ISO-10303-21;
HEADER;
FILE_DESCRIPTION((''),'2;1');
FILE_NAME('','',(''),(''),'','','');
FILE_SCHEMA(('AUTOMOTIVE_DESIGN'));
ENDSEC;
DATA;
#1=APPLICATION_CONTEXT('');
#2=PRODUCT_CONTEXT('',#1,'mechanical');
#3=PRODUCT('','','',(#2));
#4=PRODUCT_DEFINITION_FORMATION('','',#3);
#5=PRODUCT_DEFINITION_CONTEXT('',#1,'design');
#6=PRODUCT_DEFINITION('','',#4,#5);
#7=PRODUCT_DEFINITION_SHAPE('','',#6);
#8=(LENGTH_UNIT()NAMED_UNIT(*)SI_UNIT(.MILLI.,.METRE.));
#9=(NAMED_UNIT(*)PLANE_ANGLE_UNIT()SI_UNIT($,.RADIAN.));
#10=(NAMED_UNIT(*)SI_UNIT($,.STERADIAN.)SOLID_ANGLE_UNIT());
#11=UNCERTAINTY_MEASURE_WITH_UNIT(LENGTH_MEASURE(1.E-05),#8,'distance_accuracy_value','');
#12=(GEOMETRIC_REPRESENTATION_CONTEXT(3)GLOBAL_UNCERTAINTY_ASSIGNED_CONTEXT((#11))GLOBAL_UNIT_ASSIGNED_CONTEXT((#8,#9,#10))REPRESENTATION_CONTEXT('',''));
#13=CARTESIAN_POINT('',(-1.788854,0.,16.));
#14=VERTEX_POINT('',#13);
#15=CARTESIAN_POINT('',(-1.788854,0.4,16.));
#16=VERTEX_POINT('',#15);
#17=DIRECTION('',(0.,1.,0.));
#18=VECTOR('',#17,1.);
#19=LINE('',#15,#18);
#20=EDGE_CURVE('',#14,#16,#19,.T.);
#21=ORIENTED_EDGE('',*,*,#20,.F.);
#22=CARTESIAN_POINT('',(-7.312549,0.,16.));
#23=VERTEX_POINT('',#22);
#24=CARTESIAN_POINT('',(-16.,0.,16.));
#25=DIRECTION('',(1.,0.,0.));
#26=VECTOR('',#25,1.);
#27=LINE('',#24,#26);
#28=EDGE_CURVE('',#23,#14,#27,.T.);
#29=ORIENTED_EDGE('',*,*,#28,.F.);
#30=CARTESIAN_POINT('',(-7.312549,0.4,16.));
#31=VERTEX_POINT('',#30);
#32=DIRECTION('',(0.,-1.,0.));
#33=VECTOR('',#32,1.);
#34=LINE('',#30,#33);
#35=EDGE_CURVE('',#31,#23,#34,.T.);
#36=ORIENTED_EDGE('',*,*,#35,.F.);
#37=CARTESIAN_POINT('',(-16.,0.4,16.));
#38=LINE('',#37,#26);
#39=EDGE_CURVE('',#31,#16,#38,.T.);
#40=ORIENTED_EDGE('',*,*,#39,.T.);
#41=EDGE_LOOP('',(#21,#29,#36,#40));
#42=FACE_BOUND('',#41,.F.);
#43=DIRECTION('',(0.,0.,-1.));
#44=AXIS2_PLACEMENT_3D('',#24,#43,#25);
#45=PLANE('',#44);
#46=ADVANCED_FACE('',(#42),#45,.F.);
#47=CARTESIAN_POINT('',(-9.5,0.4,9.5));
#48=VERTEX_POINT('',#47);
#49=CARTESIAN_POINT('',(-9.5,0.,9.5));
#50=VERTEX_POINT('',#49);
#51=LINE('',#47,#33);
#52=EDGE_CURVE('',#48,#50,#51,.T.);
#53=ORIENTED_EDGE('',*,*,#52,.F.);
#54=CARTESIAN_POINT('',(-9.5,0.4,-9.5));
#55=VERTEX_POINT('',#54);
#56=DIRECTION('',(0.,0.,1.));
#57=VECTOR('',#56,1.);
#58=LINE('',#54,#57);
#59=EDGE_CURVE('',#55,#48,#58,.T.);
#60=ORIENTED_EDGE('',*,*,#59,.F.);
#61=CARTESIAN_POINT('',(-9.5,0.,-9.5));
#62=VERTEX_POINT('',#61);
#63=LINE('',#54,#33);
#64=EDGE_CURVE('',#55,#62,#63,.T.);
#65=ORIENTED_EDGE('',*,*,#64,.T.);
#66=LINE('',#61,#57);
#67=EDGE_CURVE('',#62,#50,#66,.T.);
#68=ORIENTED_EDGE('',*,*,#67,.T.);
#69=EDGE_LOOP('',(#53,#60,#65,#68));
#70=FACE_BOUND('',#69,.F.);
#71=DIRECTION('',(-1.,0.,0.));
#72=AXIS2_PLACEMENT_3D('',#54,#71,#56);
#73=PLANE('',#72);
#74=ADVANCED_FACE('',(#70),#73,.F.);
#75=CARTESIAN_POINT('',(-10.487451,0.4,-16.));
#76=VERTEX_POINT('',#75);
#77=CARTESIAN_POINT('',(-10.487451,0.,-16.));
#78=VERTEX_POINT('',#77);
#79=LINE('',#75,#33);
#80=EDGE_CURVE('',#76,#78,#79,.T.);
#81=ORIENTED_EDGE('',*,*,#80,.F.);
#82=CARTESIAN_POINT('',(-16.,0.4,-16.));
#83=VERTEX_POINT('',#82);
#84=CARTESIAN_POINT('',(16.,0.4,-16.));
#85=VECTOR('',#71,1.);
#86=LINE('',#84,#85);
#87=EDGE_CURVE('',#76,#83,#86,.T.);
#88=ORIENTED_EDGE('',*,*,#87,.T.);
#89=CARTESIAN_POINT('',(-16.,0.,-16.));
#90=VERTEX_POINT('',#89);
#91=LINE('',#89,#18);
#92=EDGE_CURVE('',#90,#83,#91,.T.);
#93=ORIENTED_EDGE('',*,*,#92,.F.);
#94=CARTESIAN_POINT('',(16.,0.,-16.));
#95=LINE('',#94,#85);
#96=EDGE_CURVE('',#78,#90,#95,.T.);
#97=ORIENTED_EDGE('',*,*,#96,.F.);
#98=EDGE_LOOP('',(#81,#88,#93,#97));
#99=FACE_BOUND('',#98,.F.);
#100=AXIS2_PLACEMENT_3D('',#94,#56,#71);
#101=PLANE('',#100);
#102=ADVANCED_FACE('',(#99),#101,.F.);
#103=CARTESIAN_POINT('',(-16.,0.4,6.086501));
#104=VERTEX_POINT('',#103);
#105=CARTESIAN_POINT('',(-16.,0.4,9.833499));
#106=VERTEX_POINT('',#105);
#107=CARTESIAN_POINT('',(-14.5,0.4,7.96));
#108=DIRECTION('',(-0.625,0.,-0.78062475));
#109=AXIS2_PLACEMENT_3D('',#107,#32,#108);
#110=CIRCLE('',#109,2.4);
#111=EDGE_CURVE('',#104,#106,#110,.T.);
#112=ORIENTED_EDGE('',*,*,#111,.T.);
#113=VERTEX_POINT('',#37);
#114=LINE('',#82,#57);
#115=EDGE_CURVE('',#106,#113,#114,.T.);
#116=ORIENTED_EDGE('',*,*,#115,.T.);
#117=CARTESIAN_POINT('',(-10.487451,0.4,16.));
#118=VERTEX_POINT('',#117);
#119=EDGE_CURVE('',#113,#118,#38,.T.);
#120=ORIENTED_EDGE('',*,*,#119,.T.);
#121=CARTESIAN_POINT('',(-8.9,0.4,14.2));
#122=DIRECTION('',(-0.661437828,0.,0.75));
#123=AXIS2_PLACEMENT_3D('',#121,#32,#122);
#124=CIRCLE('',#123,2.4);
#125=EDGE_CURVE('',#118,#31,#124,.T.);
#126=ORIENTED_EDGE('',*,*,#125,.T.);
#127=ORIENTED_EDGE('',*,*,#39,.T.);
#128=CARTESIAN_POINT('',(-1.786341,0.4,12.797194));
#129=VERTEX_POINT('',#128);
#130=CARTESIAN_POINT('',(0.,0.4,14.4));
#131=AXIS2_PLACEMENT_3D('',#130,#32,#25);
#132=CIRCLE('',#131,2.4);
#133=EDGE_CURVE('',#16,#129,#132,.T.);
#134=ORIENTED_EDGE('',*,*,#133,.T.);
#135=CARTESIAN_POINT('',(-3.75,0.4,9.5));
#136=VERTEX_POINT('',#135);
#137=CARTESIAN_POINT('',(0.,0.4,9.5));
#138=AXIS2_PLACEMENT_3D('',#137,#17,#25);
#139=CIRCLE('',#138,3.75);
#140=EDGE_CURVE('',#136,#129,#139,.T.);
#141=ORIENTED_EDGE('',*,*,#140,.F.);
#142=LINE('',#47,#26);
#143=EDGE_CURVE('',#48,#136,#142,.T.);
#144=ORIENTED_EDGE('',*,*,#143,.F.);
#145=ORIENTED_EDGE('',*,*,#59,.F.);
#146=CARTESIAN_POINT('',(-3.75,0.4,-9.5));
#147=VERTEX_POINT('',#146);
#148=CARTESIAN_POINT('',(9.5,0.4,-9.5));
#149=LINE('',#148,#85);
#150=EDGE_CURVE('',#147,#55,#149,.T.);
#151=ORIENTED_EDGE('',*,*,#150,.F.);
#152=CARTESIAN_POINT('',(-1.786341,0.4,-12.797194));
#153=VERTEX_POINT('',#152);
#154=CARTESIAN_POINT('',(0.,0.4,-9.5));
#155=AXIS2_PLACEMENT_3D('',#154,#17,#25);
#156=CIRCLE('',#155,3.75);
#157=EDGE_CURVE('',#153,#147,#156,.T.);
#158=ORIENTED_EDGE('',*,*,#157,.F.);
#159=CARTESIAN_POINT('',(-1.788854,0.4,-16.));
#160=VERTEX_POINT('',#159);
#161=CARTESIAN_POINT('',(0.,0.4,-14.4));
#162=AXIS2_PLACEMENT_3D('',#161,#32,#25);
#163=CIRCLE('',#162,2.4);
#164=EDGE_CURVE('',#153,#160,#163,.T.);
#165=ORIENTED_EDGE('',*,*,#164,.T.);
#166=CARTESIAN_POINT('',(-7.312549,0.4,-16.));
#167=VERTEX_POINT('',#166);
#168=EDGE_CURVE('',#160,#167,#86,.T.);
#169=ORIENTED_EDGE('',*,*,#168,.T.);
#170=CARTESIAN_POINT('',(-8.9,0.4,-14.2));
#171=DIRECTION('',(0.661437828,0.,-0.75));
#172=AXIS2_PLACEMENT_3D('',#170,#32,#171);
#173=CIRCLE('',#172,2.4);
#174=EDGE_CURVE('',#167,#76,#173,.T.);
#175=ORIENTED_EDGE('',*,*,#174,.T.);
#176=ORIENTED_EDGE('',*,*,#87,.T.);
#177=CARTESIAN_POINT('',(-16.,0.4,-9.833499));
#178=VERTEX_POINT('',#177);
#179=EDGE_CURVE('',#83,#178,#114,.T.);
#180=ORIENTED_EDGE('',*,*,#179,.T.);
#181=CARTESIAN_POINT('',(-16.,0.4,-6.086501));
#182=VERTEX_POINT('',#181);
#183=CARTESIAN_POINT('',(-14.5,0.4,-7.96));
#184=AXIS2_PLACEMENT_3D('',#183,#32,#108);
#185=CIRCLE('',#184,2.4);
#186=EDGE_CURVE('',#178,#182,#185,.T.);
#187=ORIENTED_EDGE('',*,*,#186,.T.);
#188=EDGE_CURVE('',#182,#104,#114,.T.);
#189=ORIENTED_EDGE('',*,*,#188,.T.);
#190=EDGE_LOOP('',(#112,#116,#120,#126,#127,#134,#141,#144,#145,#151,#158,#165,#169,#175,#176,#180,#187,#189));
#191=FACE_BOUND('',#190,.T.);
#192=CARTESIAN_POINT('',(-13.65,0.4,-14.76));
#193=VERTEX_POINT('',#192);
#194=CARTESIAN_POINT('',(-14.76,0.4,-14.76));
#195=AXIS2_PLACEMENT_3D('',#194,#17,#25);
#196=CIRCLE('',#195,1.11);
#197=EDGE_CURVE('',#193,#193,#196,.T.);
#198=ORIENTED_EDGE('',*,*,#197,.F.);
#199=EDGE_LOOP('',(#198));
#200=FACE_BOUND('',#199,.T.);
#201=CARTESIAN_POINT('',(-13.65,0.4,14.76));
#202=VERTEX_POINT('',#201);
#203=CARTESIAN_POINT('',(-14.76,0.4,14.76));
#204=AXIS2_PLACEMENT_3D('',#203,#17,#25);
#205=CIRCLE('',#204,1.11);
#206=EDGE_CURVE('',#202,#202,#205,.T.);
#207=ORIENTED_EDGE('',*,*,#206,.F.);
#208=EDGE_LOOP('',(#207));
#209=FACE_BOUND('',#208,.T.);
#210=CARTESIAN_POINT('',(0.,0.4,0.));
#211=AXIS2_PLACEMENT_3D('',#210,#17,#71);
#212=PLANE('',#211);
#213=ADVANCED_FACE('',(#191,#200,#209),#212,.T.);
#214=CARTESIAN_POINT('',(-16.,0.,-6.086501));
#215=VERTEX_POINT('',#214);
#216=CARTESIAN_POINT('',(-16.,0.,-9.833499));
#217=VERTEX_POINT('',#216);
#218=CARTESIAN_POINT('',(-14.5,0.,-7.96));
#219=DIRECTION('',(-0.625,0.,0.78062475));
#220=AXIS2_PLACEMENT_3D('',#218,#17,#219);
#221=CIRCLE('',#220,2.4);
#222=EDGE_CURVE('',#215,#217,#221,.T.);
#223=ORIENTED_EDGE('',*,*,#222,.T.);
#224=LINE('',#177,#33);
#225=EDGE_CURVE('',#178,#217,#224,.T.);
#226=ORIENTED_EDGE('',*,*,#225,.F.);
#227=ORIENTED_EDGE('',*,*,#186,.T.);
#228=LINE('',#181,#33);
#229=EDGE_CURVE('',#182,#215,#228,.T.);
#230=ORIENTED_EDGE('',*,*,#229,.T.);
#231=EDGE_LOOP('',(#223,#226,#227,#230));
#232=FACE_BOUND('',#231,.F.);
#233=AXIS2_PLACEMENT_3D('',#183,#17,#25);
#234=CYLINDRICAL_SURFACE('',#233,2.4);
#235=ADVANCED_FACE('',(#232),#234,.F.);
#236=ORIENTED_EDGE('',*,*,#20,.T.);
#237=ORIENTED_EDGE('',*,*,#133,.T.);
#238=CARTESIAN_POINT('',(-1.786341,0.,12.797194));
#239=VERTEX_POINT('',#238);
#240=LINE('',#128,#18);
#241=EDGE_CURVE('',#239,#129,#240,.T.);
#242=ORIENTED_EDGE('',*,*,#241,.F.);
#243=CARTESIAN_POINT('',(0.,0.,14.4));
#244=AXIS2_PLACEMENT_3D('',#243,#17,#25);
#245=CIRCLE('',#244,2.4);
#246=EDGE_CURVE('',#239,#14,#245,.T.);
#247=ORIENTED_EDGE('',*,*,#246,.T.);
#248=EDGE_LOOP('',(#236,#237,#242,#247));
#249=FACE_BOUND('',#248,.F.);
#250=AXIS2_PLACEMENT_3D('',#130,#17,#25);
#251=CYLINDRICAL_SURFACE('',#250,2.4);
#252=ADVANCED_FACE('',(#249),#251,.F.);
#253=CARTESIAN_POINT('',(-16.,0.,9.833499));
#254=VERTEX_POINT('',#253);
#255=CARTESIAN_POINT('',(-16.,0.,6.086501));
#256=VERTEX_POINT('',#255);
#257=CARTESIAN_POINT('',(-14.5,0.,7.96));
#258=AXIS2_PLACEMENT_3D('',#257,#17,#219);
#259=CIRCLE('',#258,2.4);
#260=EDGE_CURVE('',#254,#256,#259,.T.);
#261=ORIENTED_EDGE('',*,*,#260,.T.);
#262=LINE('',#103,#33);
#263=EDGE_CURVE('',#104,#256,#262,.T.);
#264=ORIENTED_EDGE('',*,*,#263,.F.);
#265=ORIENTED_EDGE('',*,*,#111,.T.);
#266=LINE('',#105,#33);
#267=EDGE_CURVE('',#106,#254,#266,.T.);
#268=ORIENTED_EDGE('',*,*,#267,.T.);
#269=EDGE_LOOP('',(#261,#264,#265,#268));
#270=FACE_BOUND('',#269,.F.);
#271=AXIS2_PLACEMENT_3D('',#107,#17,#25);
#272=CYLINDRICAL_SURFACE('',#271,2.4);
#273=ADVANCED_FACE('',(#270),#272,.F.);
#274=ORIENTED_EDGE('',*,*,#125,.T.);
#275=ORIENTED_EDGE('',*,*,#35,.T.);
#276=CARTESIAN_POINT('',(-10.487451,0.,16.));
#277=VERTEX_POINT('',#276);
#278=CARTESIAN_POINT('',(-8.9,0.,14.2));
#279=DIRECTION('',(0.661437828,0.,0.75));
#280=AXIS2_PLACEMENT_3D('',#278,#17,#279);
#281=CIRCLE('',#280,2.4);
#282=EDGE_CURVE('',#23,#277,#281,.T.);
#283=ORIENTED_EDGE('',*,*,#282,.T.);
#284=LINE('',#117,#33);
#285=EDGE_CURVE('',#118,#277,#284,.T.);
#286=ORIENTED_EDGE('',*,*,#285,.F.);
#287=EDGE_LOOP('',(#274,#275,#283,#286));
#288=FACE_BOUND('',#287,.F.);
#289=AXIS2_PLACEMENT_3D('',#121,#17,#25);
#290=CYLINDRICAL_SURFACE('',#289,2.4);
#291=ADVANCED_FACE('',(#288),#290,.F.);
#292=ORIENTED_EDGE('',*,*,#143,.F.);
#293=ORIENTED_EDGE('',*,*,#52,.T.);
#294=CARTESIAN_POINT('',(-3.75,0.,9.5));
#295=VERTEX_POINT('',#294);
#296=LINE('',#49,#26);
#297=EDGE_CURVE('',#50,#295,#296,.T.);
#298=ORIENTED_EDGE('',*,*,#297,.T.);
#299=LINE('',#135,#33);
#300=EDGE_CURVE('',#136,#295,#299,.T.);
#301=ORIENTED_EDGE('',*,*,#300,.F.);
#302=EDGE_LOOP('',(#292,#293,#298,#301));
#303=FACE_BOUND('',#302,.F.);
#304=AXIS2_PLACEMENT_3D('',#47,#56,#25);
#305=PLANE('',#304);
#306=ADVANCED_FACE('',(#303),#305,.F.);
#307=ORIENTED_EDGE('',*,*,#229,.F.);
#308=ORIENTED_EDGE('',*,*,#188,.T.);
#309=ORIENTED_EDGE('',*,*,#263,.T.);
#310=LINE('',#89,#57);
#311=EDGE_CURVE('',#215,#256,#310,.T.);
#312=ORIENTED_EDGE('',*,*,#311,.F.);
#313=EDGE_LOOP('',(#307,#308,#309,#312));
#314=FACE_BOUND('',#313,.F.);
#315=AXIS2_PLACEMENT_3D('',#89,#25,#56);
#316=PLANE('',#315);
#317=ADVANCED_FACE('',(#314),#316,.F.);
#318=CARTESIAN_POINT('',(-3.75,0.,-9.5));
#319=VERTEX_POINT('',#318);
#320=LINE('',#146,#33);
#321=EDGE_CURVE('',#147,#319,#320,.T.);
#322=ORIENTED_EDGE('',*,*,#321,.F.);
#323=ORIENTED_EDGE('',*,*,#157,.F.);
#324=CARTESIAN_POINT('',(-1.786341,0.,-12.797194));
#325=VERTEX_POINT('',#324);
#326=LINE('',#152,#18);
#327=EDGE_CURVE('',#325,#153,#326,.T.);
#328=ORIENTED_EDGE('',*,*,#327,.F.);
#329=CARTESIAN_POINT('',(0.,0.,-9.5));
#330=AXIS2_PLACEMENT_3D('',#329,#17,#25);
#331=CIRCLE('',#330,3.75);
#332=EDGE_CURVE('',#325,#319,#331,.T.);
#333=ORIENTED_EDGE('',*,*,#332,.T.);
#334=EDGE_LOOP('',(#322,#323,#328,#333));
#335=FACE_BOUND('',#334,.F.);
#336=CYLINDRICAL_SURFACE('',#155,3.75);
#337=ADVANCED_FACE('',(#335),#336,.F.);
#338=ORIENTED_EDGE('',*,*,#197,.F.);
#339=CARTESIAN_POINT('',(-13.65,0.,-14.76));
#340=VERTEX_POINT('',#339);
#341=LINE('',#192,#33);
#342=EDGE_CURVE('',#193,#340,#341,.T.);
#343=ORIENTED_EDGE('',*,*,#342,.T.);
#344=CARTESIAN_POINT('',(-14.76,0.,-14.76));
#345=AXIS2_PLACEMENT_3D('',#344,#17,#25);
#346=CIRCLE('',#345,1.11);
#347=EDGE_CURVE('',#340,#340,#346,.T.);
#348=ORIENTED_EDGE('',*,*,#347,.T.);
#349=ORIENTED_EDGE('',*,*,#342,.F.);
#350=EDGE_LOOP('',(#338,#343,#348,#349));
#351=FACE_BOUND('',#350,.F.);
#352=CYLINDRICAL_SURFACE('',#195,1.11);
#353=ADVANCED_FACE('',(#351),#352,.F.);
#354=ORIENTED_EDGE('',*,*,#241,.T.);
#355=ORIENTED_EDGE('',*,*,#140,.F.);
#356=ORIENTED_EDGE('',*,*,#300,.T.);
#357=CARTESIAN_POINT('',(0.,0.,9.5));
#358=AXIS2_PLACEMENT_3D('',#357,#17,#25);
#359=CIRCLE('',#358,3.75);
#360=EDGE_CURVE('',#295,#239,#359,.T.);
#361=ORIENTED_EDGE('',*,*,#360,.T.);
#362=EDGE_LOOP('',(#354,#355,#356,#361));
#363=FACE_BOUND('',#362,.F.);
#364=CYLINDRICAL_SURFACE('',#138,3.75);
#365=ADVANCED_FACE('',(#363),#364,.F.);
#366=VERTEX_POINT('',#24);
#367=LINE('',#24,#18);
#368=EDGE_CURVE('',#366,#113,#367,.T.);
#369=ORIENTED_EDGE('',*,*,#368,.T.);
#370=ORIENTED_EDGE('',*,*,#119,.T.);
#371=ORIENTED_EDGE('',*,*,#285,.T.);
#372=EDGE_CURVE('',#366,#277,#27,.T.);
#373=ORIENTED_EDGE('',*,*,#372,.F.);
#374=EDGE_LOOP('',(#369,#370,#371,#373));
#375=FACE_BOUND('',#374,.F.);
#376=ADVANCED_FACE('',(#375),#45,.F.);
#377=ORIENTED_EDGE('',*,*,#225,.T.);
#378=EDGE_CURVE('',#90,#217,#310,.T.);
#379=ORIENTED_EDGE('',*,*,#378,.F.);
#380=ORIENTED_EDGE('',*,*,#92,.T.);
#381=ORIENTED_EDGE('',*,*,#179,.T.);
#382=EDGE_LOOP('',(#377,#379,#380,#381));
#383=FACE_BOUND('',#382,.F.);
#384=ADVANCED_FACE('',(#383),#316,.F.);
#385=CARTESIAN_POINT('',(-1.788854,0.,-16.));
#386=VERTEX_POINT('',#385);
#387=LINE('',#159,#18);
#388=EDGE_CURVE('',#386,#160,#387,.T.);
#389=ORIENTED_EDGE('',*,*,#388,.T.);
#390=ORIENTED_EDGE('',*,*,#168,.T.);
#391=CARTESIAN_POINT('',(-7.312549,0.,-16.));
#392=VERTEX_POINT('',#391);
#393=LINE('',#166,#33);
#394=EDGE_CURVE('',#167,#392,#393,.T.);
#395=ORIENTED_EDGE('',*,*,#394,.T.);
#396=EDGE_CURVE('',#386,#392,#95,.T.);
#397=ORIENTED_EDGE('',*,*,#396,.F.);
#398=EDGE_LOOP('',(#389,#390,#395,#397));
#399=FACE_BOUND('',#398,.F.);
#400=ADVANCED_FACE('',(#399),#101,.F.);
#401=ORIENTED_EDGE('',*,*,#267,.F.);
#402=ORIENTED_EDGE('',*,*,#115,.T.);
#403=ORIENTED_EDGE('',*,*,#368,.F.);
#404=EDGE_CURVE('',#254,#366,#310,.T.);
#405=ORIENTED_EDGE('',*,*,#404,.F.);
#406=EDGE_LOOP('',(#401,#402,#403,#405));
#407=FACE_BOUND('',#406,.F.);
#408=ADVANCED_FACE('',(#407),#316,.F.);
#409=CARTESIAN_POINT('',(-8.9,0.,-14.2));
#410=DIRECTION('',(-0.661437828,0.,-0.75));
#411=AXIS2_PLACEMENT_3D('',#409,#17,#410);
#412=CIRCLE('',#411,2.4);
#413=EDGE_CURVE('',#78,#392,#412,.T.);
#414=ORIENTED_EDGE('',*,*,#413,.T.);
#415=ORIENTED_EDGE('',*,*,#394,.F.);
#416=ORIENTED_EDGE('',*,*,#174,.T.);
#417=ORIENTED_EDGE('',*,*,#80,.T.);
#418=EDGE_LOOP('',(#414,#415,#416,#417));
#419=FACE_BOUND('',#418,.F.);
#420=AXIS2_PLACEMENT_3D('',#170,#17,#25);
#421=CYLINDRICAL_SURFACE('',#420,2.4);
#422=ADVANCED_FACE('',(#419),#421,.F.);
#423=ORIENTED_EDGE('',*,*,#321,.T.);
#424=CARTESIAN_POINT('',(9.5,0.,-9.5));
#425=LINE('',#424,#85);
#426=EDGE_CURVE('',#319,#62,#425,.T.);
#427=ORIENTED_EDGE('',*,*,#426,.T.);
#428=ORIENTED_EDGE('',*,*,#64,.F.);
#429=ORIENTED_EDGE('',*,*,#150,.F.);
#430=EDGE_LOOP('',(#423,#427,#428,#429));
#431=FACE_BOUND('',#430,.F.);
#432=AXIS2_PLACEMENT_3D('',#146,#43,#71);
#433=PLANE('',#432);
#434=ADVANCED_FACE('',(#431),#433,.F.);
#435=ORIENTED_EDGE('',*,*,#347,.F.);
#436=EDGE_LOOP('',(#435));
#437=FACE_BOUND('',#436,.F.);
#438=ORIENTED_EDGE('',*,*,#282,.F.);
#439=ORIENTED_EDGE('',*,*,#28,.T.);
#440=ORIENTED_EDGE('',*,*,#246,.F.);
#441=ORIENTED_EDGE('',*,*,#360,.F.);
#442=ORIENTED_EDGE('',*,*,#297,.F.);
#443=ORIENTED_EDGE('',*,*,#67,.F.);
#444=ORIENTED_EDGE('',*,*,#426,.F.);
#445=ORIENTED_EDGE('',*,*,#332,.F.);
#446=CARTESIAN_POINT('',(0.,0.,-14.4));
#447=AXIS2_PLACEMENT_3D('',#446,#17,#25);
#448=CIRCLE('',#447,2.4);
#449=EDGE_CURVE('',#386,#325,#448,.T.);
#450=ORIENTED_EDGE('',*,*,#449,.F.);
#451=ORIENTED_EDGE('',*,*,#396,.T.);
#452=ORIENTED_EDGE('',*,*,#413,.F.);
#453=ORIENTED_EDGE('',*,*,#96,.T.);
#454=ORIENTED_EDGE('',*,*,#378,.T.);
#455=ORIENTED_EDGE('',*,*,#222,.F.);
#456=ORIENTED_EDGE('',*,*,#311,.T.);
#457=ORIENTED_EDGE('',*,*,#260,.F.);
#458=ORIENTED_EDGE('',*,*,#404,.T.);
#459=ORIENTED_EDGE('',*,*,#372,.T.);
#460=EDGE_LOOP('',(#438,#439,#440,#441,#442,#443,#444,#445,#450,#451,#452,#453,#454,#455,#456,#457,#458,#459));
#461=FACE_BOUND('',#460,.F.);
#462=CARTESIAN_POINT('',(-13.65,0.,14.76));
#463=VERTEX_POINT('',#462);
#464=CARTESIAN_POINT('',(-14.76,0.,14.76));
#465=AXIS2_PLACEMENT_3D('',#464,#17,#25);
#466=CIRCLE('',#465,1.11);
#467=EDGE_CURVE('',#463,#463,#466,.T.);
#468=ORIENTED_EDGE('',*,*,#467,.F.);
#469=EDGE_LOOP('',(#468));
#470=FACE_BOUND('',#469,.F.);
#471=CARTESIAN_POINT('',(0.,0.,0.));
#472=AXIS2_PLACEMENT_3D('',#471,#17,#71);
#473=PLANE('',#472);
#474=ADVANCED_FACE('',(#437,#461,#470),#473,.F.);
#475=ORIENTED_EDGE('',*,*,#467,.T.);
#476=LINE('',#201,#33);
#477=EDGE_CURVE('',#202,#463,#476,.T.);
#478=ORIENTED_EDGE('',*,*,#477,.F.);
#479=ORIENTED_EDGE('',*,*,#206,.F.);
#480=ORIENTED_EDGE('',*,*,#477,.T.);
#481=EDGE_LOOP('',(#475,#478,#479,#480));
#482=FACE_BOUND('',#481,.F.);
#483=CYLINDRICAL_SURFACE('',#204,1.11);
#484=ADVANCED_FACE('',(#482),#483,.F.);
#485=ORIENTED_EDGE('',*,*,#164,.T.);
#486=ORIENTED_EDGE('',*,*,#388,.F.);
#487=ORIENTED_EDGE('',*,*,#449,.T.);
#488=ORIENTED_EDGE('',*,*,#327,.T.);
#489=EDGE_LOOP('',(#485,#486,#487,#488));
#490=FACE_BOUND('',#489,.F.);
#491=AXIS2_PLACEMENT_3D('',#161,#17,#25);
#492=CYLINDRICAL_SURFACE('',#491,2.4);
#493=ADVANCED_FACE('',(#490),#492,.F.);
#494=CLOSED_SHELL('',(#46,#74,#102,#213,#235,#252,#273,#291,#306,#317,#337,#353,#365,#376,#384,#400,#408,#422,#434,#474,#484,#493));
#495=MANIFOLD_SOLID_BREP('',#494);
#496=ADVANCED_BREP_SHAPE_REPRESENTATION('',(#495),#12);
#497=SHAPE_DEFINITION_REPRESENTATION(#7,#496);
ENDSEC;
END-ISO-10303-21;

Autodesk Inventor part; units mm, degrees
ref_plane "YZ Plane" through (0, 0, 0) normal (1, 0, 0) x (0, 1, 0)
ref_plane "XZ Plane" through (0, 0, 0) normal (0, 1, 0) x (-1, 0, 0)
ref_plane "XY Plane" through (0, 0, 0) normal (0, 0, 1) x (1, 0, 0)
sketch "Sketch1" plane through (0, 0, 0) normal (0, 1, 0) x (-1, 0, 0)
  line L0 (16, 16) -> (-16, 16)
  line L1 (-16, 16) -> (-16, -16)
  line L2 (-16, -16) -> (16, -16)
  line L3 (16, -16) -> (16, 16)
  line L4 (16, 16) -> (-16, -16) construction
  line L5 (-16, 16) -> (16, -16) construction
  point P0 (0, 0)
  dimension "d0" = 32
  dimension "d1" = 32
extrude "Extrusion1" add sketch "Sketch1" along normal blind 0.4
sketch "Sketch2" plane through (0, 0.4, 0) normal (0, 1, 0) x (1, 0, 0)
  line L0 (-9.5, -9.5) -> (9.5, -9.5)
  line L1 (9.5, -9.5) -> (9.5, 9.5)
  line L2 (9.5, 9.5) -> (-9.5, 9.5)
  line L3 (-9.5, 9.5) -> (-9.5, -9.5)
  line L4 (-9.5, -9.5) -> (9.5, 9.5) construction
  line L5 (9.5, -9.5) -> (-9.5, 9.5) construction
  circle A0 centre (0, 9.5) radius 3.75
  circle A1 centre (0, -9.5) radius 3.75
  point P0 (0, 0)
  point P1 (-3.75, -9.5)
  point P2 (3.75, -9.5)
  point P3 (3.75, 9.5)
  point P4 (-3.75, 9.5)
  dimension "d4" = 19
  dimension "d5" = 19
  dimension "d6" = 7.5
  dimension "d7" = 7.5
extrude "Extrusion2" cut sketch "Sketch2" against normal blind 0.4
sketch "Sketch3" plane through (0, 0.4, 0) normal (0, 1, 0) x (1, 0, 0)
  line L0 (-16, -16) -> (16, -16) projected
  line L1 (16, 16) -> (-16, 16) projected
  line L2 (0, -16) -> (16, -16)
  line L3 (16, -16) -> (16, 16)
  line L4 (16, 16) -> (0, 16)
  line L5 (0, 16) -> (0, -16)
  point P0 (0, 0)
extrude "Extrusion3" cut sketch "Sketch3" against normal blind 0.4
sketch "Sketch4" plane through (0, 0.4, 0) normal (0, 1, 0) x (1, 0, 0)
  circle A0 centre (-14.76, -14.76) radius 1.11
  circle A1 centre (-14.76, 14.76) radius 1.11
  line L0 (-16, 16) -> (-16, -16) projected
  line L1 (-16, -16) -> (0, -16) projected
  line L2 (0, 16) -> (-16, 16) projected
  circle A2 centre (0, -14.4) radius 2.4
  circle A3 centre (-14.5, 7.96) radius 2.4
  circle A4 centre (-14.5, -7.96) radius 2.4
  circle A5 centre (-8.9, -14.2) radius 2.4
  circle A6 centre (-8.9, 14.2) radius 2.4
  circle A7 centre (0, 14.4) radius 2.4
  line L3 (0, -16) -> (0, -13.25) projected
  line L4 (0, 13.25) -> (0, 16) projected
  point P0 (0, 0)
  point P1 (-7.3125, -16)
  point P2 (-10.4875, -16)
  point P3 (-10.4875, 16)
  point P4 (-7.3125, 16)
  point P5 (-16, -6.0865)
  point P6 (-16, -9.8335)
  point P7 (-16, 9.8335)
  point P8 (-16, 6.0865)
  dimension "d12" = 2.22
  dimension "d13" = 2.22
  dimension "d14" = 1.24
  dimension "d15" = 1.24
  dimension "d16" = 1.24
  dimension "d17" = 1.24
  dimension "d18" = 4.8
  dimension "d19" = 4.8
  dimension "d20" = 4.8
  dimension "d21" = 4.8
  dimension "d22" = 4.8
  dimension "d23" = 4.8
  dimension "d24" = 0
  dimension "d26" = 0
  dimension "d28" = 7.1
  dimension "d29" = 1.8
  dimension "d30" = 1.8
  dimension "d31" = 7.1
  dimension "d32" = 1.6
  dimension "d33" = 1.6
  dimension "d34" = 1.5
  dimension "d35" = 8.04
  dimension "d36" = 8.04
  dimension "d37" = 1.5
extrude "Extrusion4" cut sketch "Sketch4" against normal blind 0.4 contours A0 | A1 | A2 | A5 L1 | A4 L0 | A3 L0 | A7 | L2 A6 picked at (-8.777, -14.4925) picked at (-14.5551, -7.8666) picked at (-14.7976, 7.5771) picked at (-8.6453, 14.6416)
properties part number "Top Cover Power Side"
